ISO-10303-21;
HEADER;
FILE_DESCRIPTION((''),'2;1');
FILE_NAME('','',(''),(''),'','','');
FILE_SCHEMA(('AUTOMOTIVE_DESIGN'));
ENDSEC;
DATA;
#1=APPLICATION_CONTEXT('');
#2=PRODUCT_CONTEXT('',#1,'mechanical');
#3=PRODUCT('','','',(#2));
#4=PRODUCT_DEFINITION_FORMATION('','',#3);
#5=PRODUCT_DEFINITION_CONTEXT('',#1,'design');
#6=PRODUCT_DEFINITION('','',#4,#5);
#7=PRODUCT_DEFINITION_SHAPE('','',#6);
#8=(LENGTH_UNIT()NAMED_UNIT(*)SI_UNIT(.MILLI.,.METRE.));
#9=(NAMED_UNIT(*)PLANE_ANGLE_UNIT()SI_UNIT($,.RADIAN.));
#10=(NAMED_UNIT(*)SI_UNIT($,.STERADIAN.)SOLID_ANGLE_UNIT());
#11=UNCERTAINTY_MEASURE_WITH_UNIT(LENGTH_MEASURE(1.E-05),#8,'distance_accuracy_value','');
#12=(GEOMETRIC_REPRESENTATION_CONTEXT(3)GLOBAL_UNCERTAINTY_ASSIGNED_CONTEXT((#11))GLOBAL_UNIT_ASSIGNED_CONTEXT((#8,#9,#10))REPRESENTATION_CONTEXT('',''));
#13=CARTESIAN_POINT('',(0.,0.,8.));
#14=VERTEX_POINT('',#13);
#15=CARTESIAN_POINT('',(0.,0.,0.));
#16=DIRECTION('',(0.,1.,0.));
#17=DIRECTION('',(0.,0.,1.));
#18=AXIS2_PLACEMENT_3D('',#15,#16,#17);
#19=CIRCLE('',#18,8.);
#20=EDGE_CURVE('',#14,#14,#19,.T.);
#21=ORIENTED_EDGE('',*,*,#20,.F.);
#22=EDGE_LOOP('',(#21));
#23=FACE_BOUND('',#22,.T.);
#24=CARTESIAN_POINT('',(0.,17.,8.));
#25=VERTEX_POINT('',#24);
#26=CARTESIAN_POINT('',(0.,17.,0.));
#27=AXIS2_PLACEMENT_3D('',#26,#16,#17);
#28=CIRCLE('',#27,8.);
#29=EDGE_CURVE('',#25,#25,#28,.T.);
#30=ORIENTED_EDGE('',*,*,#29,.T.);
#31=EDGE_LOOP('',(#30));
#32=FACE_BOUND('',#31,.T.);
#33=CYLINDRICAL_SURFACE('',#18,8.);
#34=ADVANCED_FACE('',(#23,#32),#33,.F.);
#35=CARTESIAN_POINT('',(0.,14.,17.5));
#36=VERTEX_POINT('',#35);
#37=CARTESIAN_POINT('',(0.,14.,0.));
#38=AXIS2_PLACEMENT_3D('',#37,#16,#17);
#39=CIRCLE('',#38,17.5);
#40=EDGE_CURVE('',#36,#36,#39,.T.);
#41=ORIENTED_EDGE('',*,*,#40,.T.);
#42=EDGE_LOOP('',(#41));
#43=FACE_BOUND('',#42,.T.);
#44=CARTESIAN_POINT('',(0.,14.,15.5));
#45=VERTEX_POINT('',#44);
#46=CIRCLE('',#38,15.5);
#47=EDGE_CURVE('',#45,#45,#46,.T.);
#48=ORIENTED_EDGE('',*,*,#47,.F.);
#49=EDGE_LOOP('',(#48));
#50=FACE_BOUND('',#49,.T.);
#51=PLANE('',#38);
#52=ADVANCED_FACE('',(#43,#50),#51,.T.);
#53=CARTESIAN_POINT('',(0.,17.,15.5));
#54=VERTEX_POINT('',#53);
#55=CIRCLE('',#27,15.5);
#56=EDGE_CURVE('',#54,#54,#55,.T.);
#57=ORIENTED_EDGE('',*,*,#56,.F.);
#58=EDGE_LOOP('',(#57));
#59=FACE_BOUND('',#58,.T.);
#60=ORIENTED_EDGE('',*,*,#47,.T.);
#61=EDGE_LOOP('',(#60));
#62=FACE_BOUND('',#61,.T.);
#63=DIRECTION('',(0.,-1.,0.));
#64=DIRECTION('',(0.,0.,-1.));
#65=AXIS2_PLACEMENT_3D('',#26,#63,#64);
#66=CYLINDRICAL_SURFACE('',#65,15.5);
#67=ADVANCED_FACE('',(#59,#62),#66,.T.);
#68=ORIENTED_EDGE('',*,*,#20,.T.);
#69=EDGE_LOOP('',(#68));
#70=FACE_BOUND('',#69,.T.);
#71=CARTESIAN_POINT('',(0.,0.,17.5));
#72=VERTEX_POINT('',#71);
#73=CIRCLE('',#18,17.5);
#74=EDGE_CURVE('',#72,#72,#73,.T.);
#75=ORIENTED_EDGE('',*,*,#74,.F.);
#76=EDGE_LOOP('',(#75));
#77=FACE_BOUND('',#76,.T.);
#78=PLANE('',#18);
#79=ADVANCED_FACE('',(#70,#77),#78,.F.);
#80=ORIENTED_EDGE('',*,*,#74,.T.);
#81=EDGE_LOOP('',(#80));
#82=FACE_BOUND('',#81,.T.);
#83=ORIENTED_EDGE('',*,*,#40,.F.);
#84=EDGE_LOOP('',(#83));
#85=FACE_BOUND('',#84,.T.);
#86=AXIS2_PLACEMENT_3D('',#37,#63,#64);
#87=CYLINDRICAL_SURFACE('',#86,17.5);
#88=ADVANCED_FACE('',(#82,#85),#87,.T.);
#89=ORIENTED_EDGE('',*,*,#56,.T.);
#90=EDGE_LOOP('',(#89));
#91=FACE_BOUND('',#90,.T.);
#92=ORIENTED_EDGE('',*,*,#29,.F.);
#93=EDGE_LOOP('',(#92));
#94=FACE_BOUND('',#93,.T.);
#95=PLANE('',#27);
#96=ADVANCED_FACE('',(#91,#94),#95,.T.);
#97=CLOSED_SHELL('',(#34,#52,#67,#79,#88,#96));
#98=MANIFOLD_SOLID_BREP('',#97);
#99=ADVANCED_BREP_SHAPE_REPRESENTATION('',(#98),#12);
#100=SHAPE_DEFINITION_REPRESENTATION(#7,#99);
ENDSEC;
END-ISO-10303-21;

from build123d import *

# Parameters (mm, degrees)
SKETCH1_R           = 17.5
BOSS_EXTRUDE1_DEPTH = 14
SKETCH2_R           = 15.5
BOSS_EXTRUDE2_DEPTH = 3
SKETCH3_R           = 8
CUT_EXTRUDE1_DEPTH  = 18


with BuildPart() as part:
    # Sketch1 → Boss-Extrude1 (new body)
    with BuildSketch(Plane(origin=(0, 0, 0), x_dir=(1, 0, 0), z_dir=(0, 1, 0))):
        Circle(SKETCH1_R)
    extrude(amount=BOSS_EXTRUDE1_DEPTH)

    # Sketch2 → Boss-Extrude2 (add)
    with BuildSketch(Plane(origin=(0, 14, 0), x_dir=(1, 0, 0), z_dir=(0, 1, 0))):
        Circle(SKETCH2_R)
    extrude(amount=BOSS_EXTRUDE2_DEPTH)

    # Sketch3 → Cut-Extrude1 (cut, through all)
    with BuildSketch(Plane(origin=(0, 17, 0), x_dir=(1, 0, 0), z_dir=(0, 1, 0))):
        Circle(SKETCH3_R)
    extrude(amount=-CUT_EXTRUDE1_DEPTH, mode=Mode.SUBTRACT)


solid = part.part
